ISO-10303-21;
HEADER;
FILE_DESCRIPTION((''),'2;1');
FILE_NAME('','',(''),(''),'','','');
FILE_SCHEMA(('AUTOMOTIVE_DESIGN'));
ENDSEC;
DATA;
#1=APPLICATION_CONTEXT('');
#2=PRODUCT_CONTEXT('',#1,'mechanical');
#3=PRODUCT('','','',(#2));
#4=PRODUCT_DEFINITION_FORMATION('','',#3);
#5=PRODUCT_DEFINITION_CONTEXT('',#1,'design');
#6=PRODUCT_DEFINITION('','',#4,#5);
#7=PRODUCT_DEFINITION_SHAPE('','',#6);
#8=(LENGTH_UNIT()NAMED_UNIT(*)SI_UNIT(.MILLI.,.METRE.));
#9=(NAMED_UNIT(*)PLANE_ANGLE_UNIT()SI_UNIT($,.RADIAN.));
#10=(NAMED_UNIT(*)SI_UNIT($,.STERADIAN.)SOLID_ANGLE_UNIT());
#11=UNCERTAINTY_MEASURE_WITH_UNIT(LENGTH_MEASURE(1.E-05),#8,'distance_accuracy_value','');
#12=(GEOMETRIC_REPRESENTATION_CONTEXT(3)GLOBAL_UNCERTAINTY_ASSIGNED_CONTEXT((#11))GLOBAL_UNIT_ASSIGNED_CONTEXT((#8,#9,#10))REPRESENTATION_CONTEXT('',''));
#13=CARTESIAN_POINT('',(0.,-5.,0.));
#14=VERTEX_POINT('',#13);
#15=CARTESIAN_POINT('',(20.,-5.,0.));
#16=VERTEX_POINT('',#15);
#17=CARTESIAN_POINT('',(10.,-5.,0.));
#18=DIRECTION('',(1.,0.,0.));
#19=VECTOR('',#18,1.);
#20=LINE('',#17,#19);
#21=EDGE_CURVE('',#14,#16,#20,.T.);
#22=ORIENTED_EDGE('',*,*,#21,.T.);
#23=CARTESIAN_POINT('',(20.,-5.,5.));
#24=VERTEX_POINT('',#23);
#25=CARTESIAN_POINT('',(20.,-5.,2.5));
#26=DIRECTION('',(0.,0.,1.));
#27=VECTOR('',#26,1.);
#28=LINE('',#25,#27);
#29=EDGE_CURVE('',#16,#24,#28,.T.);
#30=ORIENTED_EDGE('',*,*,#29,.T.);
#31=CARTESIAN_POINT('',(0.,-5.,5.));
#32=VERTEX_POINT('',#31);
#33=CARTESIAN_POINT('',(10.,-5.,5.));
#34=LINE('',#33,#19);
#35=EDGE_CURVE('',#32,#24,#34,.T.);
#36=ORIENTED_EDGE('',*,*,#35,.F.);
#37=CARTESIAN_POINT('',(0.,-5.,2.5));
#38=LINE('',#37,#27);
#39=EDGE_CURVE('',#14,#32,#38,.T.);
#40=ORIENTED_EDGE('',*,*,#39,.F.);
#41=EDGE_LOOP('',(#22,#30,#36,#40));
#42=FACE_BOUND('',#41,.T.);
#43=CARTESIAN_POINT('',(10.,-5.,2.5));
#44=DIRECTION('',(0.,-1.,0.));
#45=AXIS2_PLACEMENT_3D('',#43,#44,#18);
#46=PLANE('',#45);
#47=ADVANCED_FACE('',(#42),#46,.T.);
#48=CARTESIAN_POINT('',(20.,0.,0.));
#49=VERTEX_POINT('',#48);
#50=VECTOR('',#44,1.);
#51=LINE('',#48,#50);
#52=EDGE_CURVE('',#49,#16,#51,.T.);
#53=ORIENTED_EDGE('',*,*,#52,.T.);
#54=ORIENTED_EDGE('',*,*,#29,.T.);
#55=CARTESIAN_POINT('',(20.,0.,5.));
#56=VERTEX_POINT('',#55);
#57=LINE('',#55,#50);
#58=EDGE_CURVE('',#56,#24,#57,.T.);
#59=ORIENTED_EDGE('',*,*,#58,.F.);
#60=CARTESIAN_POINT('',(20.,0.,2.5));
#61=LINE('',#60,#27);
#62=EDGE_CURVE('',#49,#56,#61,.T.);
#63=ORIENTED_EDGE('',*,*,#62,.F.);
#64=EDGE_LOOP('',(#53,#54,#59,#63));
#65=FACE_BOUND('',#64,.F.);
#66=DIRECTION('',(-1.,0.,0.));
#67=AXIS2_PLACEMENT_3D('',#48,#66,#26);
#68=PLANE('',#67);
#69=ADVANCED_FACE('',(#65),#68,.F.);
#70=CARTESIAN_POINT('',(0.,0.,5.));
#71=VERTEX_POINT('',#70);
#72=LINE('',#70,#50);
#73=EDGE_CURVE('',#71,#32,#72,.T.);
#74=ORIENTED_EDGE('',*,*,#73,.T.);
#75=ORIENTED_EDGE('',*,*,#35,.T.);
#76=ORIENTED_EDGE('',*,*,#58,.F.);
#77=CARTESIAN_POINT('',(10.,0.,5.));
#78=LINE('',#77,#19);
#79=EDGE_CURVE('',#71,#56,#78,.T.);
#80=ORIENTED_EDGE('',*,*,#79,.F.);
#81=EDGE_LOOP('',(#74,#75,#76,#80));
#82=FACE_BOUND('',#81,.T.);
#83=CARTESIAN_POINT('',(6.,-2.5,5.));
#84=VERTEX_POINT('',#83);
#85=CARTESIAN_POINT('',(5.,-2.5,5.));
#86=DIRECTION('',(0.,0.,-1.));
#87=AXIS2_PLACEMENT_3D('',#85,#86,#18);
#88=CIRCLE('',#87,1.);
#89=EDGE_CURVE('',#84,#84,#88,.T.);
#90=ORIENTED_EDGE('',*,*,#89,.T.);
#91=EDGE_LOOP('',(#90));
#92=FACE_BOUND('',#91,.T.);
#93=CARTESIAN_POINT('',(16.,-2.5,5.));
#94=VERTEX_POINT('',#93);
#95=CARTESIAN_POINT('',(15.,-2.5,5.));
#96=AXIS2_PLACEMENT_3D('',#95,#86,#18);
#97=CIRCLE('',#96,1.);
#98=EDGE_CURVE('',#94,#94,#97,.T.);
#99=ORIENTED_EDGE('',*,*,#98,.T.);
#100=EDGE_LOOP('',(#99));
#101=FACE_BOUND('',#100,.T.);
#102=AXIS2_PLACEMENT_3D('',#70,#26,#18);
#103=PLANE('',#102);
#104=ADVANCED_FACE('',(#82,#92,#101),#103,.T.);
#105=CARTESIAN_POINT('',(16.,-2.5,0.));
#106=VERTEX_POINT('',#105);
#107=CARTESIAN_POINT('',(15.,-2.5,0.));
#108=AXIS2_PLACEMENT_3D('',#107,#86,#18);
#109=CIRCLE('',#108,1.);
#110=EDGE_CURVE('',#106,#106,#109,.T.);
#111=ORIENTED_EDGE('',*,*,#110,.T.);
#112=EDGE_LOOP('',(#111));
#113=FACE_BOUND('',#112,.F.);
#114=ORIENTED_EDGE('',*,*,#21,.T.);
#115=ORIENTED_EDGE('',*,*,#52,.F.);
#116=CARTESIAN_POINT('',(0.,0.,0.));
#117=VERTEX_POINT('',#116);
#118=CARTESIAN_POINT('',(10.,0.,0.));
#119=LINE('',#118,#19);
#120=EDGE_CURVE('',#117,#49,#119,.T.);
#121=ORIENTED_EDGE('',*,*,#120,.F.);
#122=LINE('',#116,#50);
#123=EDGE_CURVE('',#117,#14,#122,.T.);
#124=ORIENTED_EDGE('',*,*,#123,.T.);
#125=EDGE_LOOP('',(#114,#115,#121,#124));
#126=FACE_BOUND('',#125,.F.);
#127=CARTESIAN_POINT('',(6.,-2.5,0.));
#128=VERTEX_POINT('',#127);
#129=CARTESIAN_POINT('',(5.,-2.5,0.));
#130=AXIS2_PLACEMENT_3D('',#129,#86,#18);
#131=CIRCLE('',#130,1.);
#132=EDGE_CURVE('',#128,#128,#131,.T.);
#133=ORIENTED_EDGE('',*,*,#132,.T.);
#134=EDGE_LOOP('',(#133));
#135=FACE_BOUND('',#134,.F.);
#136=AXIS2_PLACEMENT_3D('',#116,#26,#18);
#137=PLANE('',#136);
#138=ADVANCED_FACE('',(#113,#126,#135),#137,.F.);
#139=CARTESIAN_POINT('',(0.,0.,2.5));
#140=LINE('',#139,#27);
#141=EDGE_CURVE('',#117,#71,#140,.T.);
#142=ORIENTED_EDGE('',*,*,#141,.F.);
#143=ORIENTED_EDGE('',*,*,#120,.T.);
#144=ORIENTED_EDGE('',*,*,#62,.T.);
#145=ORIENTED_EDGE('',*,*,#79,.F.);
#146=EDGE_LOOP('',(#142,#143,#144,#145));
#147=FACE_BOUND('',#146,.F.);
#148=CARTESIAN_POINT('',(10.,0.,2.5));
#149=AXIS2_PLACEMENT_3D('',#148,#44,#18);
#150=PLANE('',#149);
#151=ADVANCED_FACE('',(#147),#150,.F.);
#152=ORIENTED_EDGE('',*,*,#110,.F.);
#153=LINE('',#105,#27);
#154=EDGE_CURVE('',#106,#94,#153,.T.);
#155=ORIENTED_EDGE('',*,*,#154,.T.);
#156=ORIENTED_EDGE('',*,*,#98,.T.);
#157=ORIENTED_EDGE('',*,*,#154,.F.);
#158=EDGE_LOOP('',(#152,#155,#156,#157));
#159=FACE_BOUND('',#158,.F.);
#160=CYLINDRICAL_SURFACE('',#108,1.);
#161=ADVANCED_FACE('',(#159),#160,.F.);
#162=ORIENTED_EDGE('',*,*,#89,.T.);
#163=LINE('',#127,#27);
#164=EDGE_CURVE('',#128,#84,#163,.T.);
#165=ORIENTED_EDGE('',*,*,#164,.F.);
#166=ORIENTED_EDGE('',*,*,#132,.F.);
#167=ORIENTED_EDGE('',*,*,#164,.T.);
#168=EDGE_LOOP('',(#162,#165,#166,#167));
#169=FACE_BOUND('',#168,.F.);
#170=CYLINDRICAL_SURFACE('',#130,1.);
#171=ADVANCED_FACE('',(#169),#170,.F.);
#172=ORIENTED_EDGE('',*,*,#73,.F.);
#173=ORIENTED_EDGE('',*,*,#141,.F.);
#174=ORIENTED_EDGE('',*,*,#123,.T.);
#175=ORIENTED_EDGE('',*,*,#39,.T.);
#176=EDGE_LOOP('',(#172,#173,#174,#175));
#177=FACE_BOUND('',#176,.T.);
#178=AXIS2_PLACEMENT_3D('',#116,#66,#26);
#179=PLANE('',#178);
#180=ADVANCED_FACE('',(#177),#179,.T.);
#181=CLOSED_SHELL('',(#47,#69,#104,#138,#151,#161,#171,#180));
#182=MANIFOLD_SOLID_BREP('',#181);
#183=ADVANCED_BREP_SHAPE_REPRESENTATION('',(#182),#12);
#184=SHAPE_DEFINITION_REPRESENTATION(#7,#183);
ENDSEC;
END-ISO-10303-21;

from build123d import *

# Parameters (mm, degrees)
F0_W     = 20
F0_H     = 5
F1_DEPTH = 5
F2_R     = 1
F3_DEPTH = 25


with BuildPart() as f1:
    # F0 (on Front) → F1 (new body)
    with BuildSketch(Plane.XZ):
        with Locations((10, 2.5)):
            Rectangle(F0_W, F0_H)
    extrude(amount=F1_DEPTH)

    # F2 (on face) → F3 (cut)
    with BuildSketch(Plane(origin=(0, 0, 0), x_dir=(1, 0, 0), z_dir=(0, 0, -1))):
        with Locations((15, 2.5)):
            Circle(F2_R)
        with Locations((5, 2.5)):
            Circle(F2_R)
    extrude(amount=-F3_DEPTH, mode=Mode.SUBTRACT)


solid = f1.part
